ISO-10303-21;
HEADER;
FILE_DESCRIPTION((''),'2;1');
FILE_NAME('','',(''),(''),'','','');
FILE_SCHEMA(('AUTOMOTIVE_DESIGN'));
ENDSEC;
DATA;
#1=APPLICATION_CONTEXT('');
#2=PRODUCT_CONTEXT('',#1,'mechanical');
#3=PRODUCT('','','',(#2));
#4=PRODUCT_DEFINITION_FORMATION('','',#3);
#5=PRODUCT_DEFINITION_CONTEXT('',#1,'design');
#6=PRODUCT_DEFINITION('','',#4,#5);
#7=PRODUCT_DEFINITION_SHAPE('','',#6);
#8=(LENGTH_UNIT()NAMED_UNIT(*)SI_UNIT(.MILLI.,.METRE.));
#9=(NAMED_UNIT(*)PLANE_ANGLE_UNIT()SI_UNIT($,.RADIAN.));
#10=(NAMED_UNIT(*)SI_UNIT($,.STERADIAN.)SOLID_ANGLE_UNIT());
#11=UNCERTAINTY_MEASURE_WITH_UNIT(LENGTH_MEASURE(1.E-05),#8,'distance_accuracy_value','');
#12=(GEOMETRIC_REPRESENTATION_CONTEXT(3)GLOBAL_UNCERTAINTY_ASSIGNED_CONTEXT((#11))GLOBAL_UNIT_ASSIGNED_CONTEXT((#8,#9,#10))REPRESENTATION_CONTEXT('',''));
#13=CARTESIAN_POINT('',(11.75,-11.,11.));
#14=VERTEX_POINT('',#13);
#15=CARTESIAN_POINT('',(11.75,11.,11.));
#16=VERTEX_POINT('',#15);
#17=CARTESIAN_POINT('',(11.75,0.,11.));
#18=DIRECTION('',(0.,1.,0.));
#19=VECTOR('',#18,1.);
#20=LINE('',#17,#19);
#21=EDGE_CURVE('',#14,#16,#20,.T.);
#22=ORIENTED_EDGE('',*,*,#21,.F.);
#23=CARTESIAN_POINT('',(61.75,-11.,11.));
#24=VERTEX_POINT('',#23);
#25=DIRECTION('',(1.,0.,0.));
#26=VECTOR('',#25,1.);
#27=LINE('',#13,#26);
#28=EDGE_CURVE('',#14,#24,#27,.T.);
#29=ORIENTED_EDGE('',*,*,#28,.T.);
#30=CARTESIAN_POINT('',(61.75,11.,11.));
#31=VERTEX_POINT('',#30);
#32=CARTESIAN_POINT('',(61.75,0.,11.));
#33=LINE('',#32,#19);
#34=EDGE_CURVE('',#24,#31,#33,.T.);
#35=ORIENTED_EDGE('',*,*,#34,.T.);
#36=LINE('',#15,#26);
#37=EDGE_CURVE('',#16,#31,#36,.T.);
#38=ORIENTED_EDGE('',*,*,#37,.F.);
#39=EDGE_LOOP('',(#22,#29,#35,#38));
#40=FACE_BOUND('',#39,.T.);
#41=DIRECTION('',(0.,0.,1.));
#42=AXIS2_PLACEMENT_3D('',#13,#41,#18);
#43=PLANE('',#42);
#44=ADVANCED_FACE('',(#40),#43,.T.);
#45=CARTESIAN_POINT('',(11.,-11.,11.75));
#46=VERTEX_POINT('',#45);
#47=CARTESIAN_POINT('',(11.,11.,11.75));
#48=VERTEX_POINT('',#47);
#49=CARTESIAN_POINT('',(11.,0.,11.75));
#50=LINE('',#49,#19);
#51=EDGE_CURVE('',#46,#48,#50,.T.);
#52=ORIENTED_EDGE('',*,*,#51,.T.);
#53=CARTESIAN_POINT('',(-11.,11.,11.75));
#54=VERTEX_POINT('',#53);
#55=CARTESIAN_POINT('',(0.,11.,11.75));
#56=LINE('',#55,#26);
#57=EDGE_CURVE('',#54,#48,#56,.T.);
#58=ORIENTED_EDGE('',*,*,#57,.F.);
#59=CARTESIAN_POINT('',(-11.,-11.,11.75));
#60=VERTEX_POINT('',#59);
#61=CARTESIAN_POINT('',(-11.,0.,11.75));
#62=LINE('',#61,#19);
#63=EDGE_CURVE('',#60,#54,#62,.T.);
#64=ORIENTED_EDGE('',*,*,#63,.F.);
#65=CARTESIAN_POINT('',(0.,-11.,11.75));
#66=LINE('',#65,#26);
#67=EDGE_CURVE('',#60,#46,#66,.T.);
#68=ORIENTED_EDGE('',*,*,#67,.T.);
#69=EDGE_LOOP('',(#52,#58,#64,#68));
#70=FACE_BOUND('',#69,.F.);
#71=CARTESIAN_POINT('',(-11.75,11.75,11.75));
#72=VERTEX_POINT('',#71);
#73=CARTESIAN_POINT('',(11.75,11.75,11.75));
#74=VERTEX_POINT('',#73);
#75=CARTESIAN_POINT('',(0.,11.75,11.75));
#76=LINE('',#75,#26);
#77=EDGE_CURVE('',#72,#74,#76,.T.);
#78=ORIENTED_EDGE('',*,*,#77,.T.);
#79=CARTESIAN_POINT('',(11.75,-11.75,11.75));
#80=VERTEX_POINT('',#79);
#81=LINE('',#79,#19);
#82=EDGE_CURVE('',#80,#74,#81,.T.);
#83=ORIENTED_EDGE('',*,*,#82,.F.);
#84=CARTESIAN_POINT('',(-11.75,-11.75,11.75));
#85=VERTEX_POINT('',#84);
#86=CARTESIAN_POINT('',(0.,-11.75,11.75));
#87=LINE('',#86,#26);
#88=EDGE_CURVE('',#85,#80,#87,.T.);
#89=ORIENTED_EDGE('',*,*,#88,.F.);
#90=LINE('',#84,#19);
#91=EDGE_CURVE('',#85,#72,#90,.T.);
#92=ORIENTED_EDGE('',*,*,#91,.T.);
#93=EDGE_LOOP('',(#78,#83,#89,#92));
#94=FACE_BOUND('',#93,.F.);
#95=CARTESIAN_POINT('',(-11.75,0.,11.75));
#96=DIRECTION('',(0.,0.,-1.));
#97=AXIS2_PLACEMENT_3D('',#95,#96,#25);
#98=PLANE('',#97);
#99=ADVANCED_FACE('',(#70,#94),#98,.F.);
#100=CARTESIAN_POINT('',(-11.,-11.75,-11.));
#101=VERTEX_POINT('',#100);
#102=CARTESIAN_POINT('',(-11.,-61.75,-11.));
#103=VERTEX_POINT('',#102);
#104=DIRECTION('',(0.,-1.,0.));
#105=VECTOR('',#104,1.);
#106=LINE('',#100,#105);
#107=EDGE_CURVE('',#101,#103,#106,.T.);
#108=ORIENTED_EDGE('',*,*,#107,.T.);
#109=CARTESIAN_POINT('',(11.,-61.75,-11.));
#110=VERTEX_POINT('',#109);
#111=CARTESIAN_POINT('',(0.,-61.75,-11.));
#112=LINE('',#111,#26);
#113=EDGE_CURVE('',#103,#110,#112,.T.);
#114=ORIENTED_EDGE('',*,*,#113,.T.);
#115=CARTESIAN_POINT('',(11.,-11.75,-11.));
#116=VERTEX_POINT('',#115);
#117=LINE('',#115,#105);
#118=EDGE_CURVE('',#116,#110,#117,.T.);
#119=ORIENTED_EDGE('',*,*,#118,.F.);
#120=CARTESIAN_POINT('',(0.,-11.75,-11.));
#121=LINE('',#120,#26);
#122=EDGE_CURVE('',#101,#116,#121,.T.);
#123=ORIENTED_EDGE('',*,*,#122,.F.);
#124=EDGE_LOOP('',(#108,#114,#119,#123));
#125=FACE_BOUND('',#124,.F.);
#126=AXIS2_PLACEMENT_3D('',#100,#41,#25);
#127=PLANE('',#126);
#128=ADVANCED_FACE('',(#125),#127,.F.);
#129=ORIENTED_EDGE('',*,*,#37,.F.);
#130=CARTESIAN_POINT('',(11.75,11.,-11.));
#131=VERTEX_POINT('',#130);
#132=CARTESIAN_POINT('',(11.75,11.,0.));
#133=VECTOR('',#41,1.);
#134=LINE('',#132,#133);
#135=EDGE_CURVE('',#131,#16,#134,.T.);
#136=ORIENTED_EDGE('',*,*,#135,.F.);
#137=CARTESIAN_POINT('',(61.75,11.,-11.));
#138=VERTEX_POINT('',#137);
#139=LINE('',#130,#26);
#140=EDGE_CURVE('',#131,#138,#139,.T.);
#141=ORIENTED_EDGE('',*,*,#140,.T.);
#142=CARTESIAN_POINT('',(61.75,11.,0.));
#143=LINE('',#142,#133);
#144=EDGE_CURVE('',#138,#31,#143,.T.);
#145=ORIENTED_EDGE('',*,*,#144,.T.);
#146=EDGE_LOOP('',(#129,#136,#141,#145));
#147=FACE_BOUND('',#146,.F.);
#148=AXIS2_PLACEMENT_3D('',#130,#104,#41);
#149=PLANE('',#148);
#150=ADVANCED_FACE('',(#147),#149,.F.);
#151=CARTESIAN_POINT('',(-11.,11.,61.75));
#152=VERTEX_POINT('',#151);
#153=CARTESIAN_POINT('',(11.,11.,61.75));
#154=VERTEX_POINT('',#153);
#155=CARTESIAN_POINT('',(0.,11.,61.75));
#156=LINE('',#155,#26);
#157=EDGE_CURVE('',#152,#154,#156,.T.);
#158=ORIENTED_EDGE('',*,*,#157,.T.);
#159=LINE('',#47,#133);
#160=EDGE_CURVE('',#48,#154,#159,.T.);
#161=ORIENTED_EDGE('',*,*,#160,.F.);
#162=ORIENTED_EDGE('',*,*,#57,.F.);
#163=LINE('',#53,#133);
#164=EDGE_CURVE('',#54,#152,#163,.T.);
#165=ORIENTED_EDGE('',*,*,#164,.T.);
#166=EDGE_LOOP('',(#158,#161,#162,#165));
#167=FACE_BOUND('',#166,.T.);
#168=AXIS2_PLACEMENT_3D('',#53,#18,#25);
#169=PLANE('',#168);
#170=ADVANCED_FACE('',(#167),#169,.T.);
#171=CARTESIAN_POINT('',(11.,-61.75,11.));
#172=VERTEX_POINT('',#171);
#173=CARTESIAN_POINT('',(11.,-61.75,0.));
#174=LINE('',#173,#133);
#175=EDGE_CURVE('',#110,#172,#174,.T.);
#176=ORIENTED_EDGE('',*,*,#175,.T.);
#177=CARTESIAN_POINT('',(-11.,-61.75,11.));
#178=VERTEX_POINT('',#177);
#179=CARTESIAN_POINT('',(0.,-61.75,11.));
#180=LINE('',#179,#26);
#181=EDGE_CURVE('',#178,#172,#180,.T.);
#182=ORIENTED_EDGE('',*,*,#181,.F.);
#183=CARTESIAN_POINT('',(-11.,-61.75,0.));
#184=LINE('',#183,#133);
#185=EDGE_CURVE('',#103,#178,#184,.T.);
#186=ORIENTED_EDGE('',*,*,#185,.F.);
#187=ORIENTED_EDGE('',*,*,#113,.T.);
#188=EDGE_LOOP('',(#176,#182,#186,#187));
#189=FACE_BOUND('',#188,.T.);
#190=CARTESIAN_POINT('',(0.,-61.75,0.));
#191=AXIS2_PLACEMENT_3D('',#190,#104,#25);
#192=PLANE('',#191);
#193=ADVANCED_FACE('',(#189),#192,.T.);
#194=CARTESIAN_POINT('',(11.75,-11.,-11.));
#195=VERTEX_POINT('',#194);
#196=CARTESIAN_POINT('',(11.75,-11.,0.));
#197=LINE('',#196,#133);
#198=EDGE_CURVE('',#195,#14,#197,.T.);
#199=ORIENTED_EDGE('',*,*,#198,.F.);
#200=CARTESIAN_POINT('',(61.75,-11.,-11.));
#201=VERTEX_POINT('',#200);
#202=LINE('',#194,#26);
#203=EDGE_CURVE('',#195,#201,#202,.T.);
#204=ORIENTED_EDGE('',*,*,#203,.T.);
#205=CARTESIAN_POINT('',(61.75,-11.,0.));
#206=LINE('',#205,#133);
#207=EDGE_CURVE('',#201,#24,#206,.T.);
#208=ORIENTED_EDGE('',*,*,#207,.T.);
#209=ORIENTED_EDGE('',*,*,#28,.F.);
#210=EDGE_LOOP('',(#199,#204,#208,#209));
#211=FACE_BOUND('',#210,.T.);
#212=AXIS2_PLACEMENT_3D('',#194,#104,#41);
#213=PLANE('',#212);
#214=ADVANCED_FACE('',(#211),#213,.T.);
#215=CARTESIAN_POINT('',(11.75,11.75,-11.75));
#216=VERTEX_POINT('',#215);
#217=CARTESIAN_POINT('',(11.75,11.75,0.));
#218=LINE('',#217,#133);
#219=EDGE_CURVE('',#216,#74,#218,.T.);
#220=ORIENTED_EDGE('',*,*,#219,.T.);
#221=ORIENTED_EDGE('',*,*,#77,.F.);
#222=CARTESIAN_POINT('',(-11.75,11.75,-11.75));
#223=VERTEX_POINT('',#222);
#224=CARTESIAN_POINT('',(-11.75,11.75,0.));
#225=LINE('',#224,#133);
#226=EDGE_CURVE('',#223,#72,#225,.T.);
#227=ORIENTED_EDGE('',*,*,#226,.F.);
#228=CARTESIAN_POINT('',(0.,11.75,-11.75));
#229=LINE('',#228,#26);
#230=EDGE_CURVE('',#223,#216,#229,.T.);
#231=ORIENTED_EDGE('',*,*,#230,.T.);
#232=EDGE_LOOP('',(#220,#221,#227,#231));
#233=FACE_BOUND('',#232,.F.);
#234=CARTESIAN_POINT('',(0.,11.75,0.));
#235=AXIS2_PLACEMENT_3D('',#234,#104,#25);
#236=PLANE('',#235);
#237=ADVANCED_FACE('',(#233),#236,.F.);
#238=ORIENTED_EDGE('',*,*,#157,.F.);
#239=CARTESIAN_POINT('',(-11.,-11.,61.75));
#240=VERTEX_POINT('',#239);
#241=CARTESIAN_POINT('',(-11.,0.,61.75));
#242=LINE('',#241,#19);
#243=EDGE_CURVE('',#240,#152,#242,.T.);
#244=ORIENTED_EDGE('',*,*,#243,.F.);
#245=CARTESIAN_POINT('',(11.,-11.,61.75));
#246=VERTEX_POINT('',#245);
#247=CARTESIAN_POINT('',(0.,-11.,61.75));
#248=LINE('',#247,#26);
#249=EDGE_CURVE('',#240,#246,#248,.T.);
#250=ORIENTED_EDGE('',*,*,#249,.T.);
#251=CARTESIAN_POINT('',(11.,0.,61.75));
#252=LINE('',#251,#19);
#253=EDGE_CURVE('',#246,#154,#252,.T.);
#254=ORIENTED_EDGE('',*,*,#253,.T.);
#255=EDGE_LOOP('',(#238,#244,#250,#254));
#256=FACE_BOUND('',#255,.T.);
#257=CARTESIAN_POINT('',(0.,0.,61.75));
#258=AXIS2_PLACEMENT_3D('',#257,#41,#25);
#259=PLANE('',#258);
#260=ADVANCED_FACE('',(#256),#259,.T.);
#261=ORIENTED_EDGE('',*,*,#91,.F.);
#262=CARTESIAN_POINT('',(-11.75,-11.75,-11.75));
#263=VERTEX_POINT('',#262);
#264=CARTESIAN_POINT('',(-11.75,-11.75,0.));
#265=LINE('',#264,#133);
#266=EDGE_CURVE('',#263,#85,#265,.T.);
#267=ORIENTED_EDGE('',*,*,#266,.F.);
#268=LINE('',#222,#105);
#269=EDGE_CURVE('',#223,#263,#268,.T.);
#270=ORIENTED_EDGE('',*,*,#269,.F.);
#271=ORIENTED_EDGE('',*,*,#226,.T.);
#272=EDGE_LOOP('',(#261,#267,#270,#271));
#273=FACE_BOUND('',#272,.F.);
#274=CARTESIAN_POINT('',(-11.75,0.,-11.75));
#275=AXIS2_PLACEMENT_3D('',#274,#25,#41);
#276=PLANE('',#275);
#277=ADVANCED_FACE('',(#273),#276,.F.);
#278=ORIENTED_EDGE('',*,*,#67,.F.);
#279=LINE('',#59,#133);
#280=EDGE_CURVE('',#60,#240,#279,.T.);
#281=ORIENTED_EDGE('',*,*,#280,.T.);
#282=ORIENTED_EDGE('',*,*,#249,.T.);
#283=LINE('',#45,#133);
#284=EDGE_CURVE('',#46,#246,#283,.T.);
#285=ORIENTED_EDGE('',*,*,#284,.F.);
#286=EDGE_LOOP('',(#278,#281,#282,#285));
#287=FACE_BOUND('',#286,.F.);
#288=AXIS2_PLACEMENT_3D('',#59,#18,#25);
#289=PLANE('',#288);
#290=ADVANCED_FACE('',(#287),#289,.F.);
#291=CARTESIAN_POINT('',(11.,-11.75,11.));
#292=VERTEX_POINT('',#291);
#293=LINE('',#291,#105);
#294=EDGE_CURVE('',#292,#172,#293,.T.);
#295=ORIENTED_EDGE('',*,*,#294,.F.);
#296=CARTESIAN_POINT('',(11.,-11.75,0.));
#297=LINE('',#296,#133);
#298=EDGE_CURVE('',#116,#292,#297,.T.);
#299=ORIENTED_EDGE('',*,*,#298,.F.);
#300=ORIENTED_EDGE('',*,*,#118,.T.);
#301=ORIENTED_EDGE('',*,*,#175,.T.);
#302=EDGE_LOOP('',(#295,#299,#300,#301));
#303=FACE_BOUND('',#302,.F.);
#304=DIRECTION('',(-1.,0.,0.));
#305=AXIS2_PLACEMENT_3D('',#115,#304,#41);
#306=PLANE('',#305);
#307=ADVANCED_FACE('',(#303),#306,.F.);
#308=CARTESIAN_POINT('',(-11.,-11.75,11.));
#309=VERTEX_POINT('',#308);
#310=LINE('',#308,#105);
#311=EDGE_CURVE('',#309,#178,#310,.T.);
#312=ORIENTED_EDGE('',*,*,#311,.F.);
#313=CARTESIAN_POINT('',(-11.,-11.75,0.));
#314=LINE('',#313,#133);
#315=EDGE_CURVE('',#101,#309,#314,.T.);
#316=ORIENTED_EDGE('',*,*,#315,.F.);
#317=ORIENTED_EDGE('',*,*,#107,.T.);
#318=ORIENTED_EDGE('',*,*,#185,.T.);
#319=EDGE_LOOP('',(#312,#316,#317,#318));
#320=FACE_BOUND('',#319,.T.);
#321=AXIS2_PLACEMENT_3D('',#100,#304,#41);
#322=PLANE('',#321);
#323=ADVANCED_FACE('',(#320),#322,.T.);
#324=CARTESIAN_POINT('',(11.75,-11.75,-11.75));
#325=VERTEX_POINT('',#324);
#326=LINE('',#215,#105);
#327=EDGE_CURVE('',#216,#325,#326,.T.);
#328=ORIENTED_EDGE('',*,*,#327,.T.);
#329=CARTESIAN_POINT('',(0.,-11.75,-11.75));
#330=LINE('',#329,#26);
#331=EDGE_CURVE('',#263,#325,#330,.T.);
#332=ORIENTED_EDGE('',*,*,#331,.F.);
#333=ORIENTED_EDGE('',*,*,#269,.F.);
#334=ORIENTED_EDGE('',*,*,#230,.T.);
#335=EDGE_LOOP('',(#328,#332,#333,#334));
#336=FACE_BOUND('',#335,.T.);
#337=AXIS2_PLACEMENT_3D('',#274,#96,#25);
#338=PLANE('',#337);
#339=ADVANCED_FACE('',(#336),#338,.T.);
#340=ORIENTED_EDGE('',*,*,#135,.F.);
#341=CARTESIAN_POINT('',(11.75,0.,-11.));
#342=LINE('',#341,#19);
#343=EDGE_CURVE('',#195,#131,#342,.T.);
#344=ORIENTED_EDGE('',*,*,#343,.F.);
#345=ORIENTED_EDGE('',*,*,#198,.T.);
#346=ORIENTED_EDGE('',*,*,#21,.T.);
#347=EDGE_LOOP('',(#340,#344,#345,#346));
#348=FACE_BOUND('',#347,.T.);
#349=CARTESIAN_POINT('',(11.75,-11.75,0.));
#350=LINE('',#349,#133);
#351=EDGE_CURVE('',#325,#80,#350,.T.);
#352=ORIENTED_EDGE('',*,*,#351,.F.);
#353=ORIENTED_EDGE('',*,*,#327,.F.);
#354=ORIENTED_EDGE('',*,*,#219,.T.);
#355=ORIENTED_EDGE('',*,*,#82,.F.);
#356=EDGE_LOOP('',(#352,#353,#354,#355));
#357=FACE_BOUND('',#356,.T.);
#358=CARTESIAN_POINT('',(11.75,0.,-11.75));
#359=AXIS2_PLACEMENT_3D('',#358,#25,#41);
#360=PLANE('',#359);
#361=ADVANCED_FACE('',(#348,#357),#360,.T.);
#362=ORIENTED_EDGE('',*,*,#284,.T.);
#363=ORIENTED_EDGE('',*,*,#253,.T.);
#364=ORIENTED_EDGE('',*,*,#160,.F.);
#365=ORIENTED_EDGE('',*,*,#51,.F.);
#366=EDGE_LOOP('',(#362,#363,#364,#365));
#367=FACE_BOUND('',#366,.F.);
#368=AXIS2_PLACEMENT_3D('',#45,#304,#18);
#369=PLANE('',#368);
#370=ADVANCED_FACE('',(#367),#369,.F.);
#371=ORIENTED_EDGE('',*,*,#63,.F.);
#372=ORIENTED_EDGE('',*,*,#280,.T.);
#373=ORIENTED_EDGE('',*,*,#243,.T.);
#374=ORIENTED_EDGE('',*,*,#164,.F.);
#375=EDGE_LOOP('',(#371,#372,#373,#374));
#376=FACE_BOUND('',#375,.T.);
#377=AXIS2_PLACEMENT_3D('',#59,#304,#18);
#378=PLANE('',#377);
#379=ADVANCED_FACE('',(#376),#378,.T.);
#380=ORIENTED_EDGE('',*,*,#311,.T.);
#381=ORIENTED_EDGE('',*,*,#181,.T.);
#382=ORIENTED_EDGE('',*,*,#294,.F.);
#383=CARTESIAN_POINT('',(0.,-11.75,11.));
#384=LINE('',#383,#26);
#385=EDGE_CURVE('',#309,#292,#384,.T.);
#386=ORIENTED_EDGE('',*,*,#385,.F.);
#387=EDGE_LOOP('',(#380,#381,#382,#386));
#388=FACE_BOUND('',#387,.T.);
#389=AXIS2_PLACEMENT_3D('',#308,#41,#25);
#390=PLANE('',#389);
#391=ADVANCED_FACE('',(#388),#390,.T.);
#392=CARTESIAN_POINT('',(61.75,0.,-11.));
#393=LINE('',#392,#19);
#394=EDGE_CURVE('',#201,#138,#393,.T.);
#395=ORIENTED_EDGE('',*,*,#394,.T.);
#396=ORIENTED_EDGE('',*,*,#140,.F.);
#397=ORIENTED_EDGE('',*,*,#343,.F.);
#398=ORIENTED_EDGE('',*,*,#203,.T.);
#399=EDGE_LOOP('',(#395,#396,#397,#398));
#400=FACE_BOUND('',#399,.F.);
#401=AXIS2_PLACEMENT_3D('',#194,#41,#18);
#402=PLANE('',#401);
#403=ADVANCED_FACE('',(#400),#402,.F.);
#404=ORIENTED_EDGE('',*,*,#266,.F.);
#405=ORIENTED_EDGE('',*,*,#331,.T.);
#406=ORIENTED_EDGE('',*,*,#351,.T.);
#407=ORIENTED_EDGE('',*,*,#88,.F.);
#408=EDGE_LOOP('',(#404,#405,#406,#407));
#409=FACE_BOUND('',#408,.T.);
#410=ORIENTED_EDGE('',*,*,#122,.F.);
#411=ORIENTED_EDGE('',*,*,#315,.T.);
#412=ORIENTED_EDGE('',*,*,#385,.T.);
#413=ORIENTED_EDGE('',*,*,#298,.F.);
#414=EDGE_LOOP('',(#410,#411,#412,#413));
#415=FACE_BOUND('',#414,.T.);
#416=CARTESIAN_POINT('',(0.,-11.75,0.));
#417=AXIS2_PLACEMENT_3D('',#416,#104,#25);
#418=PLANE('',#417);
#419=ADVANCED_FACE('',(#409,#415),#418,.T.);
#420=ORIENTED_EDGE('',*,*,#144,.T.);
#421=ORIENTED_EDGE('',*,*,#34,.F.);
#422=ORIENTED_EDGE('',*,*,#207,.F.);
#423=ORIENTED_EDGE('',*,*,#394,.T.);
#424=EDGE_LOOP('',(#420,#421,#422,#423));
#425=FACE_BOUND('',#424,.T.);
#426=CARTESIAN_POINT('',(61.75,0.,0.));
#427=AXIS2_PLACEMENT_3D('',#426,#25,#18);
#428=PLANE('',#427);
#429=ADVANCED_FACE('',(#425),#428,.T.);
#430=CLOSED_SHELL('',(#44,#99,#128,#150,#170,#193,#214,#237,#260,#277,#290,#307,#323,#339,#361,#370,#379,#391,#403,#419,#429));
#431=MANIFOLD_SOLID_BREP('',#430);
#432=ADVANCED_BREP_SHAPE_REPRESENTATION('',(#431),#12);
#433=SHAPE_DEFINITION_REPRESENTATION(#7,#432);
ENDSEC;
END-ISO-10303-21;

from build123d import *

# Parameters (mm, degrees)
F0_W     = 23.5
F0_H     = 23.5
F1_DEPTH = 11.75
F2_W     = 22
F2_H     = 22
F3_DEPTH = 50
F4_W     = 22
F4_H     = 22
F5_DEPTH = 50
F6_W     = 22
F6_H     = 22
F7_DEPTH = 50


with BuildPart() as f1:
    # F0 (on Front) → F1 (new body, symmetric)
    with BuildSketch(Plane.XZ):
        Rectangle(F0_W, F0_H)
    extrude(amount=F1_DEPTH, both=True)

    # F2 (on face) → F3 (join)
    with BuildSketch(Plane.XZ.offset(11.75)):
        Rectangle(F2_W, F2_H)
    extrude(amount=F3_DEPTH)

    # F4 (on face) → F5 (join)
    with BuildSketch(Plane.XY.offset(11.75)):
        Rectangle(F4_W, F4_H)
    extrude(amount=F5_DEPTH)

    # F6 (on face) → F7 (join)
    with BuildSketch(Plane.YZ.offset(11.75)):
        Rectangle(F6_W, F6_H)
    extrude(amount=F7_DEPTH)


solid = f1.part
